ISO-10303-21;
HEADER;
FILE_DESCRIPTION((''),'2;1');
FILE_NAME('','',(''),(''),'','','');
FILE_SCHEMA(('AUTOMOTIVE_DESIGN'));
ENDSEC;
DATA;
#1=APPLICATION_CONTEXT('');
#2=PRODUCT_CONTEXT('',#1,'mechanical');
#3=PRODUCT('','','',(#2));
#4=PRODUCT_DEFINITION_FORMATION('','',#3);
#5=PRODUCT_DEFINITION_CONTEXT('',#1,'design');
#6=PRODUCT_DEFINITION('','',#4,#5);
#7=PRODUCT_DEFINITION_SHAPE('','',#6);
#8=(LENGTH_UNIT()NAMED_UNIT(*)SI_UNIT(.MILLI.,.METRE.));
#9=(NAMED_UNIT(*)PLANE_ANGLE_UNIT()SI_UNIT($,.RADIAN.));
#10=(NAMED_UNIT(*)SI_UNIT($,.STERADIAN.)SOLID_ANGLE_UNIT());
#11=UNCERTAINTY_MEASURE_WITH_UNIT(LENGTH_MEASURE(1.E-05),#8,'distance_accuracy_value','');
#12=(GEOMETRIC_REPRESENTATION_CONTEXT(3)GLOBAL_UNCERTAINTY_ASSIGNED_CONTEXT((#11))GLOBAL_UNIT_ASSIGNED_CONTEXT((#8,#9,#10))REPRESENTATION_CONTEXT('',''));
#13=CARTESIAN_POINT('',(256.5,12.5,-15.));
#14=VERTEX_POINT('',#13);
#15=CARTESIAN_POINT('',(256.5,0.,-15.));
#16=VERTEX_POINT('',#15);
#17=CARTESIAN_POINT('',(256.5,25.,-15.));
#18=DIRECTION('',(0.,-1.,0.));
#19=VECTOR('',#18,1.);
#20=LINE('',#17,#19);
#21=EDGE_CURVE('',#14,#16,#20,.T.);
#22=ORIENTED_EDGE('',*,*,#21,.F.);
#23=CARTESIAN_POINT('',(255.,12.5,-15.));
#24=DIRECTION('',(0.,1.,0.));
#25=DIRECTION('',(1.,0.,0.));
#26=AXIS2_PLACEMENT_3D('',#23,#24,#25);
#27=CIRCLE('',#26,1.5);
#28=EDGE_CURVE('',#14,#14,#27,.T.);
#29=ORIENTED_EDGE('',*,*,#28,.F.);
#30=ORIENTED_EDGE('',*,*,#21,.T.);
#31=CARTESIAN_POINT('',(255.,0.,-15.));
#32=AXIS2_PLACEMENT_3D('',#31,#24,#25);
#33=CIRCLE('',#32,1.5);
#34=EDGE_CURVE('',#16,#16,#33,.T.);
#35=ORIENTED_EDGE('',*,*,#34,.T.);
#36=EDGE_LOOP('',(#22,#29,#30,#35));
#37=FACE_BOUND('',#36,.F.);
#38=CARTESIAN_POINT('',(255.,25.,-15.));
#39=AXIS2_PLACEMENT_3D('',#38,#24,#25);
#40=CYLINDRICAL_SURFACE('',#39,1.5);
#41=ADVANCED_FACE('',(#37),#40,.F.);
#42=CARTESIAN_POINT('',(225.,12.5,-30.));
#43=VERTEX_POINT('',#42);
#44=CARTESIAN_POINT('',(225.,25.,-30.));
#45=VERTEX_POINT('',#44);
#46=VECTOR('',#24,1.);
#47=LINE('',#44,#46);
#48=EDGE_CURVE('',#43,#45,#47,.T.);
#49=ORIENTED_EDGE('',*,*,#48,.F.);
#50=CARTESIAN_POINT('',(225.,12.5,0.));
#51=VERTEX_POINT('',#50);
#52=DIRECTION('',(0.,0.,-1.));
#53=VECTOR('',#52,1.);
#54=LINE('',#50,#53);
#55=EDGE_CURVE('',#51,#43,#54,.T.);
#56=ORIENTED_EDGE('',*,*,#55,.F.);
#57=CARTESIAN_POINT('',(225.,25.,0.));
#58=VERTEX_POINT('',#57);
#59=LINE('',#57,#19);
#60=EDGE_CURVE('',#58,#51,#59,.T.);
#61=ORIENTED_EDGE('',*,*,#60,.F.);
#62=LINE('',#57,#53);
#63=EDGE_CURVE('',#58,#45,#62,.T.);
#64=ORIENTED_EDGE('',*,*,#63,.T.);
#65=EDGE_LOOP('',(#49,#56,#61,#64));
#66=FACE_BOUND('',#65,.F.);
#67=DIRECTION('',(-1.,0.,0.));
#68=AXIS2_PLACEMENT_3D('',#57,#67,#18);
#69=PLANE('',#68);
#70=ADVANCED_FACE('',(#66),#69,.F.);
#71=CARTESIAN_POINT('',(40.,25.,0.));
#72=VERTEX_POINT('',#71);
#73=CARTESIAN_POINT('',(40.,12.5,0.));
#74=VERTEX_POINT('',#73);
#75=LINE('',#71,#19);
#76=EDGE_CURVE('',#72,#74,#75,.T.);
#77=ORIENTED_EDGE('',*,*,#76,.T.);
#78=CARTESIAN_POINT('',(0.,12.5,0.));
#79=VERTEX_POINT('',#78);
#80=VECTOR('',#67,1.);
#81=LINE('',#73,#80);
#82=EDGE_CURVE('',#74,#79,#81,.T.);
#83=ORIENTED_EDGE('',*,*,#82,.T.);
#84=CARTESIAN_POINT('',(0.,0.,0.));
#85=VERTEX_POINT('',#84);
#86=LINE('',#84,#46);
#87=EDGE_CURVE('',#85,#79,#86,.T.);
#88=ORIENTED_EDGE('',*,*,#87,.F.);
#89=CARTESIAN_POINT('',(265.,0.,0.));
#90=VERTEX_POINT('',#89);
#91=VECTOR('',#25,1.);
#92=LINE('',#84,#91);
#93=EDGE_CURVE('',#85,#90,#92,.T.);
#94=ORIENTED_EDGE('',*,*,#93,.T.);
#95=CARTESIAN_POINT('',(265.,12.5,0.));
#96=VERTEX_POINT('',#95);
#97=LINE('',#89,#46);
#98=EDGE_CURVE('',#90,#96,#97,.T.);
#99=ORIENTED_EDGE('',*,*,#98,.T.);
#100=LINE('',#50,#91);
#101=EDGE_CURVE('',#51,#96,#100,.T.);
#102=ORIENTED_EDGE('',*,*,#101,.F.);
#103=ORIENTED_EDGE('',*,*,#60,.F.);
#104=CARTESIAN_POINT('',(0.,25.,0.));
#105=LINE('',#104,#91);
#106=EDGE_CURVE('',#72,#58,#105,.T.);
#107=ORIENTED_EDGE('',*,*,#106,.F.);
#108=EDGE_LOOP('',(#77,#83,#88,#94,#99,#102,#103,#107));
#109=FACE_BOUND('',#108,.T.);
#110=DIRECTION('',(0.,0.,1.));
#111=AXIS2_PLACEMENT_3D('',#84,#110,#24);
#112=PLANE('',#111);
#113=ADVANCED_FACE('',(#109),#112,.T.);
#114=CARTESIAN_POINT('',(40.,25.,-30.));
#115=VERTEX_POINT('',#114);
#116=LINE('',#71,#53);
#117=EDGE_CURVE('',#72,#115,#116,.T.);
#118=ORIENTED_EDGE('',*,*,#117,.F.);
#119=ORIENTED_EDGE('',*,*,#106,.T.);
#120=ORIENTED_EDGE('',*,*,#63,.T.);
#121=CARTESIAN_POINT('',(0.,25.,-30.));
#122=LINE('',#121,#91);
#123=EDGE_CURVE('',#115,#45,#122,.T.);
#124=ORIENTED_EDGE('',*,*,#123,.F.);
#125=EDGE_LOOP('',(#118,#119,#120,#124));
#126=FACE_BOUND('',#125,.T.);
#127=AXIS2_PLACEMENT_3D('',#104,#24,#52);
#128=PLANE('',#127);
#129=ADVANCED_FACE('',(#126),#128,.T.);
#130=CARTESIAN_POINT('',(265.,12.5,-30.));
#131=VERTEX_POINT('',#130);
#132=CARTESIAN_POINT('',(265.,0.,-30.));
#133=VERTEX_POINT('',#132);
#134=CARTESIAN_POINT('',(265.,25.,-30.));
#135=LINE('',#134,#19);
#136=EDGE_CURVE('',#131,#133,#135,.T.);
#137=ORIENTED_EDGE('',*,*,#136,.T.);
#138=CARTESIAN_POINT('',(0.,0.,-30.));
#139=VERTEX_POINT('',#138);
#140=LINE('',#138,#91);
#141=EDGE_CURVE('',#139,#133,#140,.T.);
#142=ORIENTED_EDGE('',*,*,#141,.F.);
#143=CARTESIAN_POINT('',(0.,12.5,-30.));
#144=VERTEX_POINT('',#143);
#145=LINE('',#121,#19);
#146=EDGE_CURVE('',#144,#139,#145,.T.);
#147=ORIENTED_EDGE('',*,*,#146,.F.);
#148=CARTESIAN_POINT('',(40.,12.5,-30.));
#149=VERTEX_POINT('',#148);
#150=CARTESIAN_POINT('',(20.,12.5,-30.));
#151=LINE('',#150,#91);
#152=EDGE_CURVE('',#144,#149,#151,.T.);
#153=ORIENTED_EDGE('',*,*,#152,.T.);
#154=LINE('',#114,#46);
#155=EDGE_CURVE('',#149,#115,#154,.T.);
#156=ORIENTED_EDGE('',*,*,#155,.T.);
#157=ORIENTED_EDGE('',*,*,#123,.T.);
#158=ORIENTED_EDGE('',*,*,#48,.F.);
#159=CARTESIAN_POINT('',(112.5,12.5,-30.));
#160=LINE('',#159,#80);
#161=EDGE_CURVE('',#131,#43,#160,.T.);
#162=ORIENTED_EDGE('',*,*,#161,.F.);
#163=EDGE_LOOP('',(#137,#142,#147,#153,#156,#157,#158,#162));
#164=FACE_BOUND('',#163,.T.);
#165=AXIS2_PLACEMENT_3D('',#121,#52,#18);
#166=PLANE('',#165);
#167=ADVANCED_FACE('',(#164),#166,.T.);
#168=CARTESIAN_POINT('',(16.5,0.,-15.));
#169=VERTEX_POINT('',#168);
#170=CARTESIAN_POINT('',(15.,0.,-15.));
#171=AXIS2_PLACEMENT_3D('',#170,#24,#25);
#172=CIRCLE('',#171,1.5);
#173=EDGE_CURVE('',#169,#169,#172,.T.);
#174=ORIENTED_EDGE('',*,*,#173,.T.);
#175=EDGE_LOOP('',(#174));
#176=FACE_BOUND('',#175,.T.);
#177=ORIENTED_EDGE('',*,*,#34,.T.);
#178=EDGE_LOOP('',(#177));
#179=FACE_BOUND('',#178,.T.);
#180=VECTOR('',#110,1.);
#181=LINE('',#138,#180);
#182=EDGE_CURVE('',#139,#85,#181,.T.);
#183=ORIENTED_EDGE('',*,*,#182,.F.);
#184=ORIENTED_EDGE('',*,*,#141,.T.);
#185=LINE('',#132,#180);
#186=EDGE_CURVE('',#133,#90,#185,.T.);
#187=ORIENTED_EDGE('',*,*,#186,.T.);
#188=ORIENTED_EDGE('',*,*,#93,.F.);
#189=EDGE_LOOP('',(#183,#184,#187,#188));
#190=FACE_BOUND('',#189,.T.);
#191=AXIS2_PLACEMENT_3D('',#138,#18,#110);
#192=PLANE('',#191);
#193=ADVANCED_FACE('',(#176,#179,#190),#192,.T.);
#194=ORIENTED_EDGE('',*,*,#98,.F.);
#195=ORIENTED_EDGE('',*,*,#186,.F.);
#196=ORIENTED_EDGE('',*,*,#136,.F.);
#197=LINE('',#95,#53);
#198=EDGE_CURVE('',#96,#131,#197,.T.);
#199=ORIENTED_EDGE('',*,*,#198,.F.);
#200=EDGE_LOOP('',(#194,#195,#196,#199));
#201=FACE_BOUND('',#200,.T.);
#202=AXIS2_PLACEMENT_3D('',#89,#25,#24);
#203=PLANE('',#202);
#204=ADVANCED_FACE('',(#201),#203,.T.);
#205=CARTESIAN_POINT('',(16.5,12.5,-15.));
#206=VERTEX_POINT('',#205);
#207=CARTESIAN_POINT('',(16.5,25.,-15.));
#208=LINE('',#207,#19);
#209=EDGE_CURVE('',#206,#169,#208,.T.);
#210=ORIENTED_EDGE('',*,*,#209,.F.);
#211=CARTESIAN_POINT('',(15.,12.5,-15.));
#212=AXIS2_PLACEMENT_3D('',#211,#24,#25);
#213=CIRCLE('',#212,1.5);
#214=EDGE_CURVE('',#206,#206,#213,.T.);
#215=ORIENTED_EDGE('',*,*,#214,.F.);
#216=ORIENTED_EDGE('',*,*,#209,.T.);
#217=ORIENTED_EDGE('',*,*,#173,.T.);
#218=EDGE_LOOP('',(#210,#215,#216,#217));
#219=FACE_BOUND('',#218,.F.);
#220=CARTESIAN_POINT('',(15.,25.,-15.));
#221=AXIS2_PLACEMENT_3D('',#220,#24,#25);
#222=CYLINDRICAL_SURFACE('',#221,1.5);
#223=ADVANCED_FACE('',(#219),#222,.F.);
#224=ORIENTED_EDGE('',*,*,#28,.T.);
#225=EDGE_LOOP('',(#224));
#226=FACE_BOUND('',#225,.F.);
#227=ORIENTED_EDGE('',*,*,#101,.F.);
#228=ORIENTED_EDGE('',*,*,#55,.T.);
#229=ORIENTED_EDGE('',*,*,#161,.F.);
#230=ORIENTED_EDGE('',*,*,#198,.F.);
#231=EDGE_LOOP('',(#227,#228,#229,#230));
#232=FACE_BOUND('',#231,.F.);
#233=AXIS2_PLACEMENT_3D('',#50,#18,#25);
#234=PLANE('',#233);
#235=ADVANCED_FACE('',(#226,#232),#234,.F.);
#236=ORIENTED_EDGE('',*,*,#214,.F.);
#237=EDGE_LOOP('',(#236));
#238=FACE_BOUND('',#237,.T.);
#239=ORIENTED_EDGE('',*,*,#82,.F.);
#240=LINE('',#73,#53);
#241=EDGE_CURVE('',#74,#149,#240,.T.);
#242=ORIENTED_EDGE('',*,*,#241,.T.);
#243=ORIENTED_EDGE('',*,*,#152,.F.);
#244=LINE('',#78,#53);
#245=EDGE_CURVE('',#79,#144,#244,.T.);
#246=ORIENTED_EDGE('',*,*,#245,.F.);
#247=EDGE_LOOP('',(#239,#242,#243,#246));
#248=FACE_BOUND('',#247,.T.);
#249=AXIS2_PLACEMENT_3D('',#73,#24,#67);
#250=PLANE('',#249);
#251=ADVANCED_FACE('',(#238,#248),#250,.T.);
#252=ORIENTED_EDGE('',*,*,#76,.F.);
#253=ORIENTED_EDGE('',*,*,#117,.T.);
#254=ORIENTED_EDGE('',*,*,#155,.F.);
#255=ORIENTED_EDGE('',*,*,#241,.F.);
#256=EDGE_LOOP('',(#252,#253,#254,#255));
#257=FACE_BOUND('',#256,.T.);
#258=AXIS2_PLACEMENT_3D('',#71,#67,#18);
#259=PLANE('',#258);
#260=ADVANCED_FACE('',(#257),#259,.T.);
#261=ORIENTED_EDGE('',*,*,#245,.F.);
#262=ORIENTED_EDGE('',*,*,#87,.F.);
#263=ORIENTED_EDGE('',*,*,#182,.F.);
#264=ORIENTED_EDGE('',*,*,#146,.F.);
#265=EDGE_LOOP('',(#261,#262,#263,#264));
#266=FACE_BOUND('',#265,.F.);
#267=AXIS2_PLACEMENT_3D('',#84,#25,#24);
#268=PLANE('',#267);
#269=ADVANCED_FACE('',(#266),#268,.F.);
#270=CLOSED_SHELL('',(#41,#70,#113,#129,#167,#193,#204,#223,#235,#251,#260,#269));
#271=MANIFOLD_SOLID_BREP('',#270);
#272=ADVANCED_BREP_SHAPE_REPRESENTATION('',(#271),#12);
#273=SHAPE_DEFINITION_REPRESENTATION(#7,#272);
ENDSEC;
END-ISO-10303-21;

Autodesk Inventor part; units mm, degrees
ref_plane "YZ Plane" through (0, 0, 0) normal (1, 0, 0) x (0, 1, 0)
ref_plane "XZ Plane" through (0, 0, 0) normal (0, 1, 0) x (-1, 0, 0)
ref_plane "XY Plane" through (0, 0, 0) normal (0, 0, 1) x (1, 0, 0)
sketch "Esquisse1" plane through (0, 0, 0) normal (1, 0, 0) x (0, 1, 0)
  line L0 (0, 0) -> (25, 0)
  line L1 (25, 0) -> (25, -30)
  line L2 (25, -30) -> (0, -30)
  line L3 (0, -30) -> (0, 0)
  dimension "d0" = 25
  dimension "d1" = 30
extrude "Extrusion1" add sketch "Esquisse1" along normal blind 265
sketch "Esquisse2" plane through (0, 25, 0) normal (0, 1, 0) x (1, 0, 0)
  circle A0 centre (15, 15) radius 1.5
  line L0 (0, 30) -> (0, 0) projected
  circle A1 centre (255, 15) radius 1.5
  dimension "d4" = 3
  dimension "d5" = 15
  dimension "d6" = 240
  dimension "d9" = 3
extrude "Extrusion2" cut sketch "Esquisse2" against normal through all
sketch "Esquisse3" plane through (0, 0, 0) normal (0, 0, 1) x (1, 0, 0)
  line L0 (0, 25) -> (265, 25) projected
  line L1 (0, 25) -> (40, 25)
  line L2 (40, 25) -> (40, 12.5)
  line L3 (40, 12.5) -> (0, 12.5)
  line L4 (0, 12.5) -> (0, 25)
  line L5 (265, 25) -> (225, 25)
  line L6 (225, 25) -> (225, 12.5)
  line L7 (225, 12.5) -> (265, 12.5)
  line L8 (265, 12.5) -> (265, 25)
  point P0 (0, 0)
  dimension "d10" = 12.5
  dimension "d11" = 40
  dimension "d12" = 40
extrude "Extrusion3" cut sketch "Esquisse3" against normal through all
properties part number "Bras_arrierre"
